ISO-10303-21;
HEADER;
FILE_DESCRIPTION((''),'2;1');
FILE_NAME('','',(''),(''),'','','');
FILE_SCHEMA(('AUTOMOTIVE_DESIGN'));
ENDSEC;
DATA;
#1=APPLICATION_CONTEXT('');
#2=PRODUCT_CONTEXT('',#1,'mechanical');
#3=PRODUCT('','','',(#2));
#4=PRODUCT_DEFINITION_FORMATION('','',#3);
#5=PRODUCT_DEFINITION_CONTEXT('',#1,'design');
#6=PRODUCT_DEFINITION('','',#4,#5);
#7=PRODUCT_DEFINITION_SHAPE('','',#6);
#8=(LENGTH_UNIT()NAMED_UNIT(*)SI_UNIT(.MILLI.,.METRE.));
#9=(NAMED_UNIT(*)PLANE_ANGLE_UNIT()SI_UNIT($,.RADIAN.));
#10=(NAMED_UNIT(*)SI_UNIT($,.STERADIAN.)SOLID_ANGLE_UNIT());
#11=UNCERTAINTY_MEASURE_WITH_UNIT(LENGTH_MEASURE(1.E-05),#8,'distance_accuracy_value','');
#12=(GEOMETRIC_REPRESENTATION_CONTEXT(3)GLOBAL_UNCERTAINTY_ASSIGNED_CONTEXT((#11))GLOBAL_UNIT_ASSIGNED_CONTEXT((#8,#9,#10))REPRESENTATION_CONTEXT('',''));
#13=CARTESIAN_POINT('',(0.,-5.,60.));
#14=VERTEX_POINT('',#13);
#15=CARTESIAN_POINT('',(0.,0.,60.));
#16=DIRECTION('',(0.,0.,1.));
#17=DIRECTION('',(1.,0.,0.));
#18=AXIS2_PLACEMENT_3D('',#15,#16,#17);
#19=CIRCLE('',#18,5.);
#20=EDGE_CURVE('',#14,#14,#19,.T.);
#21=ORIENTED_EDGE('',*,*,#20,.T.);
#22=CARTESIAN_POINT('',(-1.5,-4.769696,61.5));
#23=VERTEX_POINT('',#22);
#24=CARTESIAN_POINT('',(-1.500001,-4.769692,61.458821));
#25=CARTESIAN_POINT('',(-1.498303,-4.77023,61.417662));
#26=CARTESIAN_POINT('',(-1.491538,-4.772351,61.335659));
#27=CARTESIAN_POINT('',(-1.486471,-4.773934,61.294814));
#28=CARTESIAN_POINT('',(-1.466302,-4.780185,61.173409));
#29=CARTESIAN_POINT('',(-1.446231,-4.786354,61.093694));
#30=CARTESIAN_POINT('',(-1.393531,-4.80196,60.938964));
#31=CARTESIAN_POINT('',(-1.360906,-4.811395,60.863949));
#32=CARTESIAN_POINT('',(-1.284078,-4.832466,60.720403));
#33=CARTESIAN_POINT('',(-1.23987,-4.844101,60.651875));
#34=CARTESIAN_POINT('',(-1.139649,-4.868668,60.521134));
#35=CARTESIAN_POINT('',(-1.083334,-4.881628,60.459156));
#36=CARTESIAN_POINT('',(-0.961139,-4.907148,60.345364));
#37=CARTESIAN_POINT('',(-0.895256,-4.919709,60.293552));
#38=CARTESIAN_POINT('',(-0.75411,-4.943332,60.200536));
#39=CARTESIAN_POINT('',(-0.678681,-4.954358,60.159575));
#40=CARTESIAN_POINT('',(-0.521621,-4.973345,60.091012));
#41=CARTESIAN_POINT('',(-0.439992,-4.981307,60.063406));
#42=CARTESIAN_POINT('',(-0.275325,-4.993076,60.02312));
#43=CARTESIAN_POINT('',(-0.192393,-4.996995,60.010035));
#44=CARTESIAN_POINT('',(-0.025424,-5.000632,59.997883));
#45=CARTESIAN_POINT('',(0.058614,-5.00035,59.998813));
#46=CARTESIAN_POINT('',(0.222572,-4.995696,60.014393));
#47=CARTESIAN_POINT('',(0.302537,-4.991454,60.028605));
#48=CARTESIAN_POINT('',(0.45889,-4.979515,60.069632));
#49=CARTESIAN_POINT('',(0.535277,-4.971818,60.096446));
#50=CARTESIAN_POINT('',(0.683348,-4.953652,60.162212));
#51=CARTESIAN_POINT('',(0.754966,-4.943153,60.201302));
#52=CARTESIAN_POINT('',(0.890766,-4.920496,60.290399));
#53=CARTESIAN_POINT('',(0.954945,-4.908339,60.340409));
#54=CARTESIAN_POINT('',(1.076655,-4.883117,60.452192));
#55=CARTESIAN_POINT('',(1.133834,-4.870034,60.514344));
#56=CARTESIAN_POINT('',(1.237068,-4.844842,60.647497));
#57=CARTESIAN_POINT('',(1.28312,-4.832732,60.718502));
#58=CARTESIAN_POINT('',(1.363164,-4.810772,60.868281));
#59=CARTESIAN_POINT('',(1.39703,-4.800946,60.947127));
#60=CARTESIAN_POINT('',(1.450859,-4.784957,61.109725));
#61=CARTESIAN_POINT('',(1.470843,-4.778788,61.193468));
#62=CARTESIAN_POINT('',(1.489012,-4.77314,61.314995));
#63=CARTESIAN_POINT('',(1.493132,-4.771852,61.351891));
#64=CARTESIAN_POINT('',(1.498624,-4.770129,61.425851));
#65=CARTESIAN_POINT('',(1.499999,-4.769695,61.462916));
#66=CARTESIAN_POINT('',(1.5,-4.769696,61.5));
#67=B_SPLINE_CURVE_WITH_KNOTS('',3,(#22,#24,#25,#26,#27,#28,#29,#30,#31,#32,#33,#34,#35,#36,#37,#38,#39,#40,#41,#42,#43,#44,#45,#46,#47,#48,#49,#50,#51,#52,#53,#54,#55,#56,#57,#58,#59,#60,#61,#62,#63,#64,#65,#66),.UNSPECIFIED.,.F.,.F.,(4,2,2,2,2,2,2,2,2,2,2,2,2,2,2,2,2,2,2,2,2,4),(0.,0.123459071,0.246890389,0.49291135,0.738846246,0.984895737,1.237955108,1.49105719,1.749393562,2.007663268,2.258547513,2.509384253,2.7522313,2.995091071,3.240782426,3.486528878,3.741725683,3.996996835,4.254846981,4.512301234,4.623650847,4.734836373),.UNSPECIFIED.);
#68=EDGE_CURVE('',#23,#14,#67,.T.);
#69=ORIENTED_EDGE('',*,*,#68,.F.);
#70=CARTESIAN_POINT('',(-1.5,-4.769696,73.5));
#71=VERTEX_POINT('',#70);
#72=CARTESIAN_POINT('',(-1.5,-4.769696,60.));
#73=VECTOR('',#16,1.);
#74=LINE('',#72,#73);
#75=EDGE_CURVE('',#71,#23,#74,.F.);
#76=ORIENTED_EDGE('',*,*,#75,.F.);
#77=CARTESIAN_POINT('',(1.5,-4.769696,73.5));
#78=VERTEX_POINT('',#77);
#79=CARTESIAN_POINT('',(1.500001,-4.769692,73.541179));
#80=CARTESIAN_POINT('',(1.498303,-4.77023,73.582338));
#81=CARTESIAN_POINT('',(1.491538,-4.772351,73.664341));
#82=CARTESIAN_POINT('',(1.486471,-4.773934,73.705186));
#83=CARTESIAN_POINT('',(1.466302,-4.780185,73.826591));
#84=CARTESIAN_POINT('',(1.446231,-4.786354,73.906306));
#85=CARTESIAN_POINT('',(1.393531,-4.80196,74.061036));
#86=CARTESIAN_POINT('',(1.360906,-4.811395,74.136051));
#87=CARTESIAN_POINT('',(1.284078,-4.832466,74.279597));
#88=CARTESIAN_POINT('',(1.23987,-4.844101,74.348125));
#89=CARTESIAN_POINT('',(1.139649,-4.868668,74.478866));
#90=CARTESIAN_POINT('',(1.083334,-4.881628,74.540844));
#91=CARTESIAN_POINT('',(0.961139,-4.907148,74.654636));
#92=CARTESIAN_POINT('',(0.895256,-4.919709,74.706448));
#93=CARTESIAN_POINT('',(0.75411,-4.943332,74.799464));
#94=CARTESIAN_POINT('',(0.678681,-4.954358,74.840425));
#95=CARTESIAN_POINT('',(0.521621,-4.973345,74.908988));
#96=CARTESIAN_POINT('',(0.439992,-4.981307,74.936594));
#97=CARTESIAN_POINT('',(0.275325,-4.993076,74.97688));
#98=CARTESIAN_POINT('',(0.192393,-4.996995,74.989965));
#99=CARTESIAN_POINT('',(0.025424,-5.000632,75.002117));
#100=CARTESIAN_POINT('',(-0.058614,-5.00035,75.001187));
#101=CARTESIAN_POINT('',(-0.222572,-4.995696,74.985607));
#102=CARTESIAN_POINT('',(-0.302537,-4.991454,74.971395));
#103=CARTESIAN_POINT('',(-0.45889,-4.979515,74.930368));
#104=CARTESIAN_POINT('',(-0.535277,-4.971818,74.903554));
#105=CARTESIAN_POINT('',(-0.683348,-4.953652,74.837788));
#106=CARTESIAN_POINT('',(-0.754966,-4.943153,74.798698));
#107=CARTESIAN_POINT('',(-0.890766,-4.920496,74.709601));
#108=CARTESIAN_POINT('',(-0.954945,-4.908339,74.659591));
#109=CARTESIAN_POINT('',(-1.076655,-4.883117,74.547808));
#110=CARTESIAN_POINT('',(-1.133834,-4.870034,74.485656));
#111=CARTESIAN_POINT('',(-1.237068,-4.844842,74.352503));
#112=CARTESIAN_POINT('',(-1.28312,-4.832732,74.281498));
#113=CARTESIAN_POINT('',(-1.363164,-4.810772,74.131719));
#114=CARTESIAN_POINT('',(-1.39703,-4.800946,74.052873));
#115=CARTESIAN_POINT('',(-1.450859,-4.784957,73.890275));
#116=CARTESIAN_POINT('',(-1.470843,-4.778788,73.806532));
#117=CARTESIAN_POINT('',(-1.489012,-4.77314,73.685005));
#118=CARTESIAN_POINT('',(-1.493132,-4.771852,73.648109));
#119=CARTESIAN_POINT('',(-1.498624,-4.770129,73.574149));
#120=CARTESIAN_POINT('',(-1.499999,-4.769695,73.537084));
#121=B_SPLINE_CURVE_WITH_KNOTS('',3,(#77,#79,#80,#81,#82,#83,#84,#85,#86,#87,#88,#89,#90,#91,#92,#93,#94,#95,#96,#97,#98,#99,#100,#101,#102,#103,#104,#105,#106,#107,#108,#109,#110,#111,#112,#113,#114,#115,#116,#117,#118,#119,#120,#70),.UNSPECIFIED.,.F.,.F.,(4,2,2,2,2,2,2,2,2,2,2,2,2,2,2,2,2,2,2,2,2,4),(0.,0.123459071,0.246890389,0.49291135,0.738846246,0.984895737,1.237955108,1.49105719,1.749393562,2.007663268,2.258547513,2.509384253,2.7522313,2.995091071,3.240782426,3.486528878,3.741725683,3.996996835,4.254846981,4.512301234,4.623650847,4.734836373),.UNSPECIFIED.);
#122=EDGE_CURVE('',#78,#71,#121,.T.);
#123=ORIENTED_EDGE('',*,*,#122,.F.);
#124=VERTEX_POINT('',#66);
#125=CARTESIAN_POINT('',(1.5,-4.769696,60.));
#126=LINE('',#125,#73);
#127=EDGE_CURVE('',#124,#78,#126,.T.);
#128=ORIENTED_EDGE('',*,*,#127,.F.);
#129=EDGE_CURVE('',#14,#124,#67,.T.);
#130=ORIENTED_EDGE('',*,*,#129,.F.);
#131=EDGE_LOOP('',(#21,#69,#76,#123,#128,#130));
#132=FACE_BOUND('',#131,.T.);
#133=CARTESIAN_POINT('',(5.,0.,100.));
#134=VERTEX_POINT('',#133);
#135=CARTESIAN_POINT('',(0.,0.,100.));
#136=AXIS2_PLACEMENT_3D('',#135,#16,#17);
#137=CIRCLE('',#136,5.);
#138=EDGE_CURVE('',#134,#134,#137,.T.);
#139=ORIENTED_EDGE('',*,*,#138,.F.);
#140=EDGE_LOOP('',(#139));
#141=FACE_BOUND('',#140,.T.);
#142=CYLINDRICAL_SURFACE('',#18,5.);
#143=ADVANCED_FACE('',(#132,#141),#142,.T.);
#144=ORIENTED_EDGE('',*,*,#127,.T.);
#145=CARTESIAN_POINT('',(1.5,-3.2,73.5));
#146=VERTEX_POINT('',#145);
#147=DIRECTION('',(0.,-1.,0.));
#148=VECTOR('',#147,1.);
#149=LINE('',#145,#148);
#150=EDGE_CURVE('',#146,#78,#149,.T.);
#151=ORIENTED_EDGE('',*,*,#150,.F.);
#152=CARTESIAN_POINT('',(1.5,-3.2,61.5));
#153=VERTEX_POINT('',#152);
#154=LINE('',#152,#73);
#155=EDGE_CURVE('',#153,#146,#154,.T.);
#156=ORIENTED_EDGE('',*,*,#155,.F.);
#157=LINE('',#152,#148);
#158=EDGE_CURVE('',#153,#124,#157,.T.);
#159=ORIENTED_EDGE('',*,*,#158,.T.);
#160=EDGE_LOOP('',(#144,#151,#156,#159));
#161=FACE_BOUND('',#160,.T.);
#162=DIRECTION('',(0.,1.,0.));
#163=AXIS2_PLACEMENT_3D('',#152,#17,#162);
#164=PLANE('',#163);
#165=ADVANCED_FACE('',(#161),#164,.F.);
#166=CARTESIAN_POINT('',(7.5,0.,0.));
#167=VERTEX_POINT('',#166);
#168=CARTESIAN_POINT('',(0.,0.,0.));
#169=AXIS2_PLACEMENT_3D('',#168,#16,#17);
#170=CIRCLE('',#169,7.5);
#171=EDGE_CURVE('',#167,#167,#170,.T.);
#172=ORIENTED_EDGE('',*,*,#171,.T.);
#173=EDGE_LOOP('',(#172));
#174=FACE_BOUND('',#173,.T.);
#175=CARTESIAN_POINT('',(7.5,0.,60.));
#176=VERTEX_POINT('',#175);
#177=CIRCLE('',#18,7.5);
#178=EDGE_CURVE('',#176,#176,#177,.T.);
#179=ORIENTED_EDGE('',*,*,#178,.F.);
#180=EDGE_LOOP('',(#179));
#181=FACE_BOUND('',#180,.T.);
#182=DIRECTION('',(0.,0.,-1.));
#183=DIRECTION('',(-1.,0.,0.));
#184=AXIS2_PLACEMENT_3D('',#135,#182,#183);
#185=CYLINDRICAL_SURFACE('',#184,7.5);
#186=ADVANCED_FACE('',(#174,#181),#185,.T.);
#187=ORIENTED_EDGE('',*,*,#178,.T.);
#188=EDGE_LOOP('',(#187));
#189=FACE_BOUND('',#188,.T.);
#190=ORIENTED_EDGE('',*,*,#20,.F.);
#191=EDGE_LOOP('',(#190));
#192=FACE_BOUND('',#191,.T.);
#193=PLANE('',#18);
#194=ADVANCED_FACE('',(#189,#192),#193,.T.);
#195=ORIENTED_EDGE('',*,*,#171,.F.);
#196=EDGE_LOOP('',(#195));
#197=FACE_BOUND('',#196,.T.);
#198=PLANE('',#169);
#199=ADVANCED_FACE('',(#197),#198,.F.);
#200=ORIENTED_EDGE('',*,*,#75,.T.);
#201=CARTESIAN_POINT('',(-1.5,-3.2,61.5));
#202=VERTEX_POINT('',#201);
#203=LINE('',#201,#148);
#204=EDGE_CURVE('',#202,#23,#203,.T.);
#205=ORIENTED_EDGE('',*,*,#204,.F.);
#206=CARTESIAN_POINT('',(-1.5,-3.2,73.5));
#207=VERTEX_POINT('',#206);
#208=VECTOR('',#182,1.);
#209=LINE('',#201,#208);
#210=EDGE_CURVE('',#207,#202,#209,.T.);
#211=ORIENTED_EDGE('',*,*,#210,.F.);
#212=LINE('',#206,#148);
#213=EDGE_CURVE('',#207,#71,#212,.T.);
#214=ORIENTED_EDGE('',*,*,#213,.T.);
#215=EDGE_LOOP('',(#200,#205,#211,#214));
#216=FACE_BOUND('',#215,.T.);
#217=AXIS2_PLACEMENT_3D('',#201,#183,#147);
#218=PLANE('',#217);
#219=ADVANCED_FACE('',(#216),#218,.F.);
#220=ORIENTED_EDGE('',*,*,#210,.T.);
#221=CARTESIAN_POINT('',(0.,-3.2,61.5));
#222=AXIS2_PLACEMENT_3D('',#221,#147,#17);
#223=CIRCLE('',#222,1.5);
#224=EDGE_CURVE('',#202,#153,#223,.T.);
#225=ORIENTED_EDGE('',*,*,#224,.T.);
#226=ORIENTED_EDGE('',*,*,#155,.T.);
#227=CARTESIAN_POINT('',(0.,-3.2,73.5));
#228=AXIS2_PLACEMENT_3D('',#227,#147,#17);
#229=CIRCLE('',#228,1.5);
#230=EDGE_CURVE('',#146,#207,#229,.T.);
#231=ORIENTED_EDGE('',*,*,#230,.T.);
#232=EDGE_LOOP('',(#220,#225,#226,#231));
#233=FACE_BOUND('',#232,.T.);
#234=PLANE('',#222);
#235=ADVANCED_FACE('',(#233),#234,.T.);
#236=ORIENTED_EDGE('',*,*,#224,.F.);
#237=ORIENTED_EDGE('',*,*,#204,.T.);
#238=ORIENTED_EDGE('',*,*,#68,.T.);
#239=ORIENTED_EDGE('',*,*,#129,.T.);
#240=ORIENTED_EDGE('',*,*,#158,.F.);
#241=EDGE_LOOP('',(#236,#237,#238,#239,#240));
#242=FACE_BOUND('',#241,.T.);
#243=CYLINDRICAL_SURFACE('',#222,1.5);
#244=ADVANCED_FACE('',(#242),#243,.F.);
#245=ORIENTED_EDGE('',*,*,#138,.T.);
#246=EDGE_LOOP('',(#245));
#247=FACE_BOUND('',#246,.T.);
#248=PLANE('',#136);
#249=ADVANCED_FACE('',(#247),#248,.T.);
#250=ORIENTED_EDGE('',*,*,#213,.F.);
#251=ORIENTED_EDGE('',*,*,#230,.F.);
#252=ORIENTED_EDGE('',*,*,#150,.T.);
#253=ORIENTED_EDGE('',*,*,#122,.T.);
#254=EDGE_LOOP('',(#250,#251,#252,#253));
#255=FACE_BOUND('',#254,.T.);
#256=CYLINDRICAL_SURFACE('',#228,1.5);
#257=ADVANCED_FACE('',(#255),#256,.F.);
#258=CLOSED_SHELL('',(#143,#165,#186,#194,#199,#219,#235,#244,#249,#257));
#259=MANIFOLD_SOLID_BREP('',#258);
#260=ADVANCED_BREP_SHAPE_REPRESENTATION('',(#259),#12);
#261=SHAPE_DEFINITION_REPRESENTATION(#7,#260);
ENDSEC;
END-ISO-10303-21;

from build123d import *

# Parameters (mm, degrees)
SKETCH_1_R           = 7.5
EXTRUDE_1_DEPTH      = 100
SKETCH_2_OUTSIDE_W   = 37.446
SKETCH_2_OUTSIDE_H   = 37.446
SKETCH_2_OUTSIDE_R   = 5
CUT_EXTRUDE_1_DEPTH  = 40
CUT_EXTRUDE_START    = 5
CUT_EXTRUDE_13_DEPTH = 1.8


with BuildPart() as part:
    # 草图1 → 凸台-拉伸1 (new body)
    with BuildSketch(Plane.XY):
        Circle(SKETCH_1_R)
    extrude(amount=EXTRUDE_1_DEPTH)

    # 草图2 outside → 切除-拉伸1 (cut)
    with BuildSketch(Plane.XY.offset(100)):
        Rectangle(SKETCH_2_OUTSIDE_W, SKETCH_2_OUTSIDE_H)
        Circle(SKETCH_2_OUTSIDE_R, mode=Mode.SUBTRACT)
    extrude(amount=-CUT_EXTRUDE_1_DEPTH, mode=Mode.SUBTRACT)

    # 草图33 → 切除-拉伸13 (cut)
    with BuildSketch(Plane(origin=(-20, 0, 100), x_dir=(0, 0, 1), z_dir=(1.0206823934513925e-11, -1.0, 0)).offset(CUT_EXTRUDE_START)):
        with BuildLine():
            Line((-38.5, -18.5), (-26.5, -18.5))
            ThreePointArc((-26.5, -18.5), (-25, -20), (-26.5, -21.5))
            Line((-26.5, -21.5), (-38.5, -21.5))
            ThreePointArc((-38.5, -21.5), (-40, -20), (-38.5, -18.5))
        make_face()
    extrude(amount=-CUT_EXTRUDE_13_DEPTH, mode=Mode.SUBTRACT)


solid = part.part
